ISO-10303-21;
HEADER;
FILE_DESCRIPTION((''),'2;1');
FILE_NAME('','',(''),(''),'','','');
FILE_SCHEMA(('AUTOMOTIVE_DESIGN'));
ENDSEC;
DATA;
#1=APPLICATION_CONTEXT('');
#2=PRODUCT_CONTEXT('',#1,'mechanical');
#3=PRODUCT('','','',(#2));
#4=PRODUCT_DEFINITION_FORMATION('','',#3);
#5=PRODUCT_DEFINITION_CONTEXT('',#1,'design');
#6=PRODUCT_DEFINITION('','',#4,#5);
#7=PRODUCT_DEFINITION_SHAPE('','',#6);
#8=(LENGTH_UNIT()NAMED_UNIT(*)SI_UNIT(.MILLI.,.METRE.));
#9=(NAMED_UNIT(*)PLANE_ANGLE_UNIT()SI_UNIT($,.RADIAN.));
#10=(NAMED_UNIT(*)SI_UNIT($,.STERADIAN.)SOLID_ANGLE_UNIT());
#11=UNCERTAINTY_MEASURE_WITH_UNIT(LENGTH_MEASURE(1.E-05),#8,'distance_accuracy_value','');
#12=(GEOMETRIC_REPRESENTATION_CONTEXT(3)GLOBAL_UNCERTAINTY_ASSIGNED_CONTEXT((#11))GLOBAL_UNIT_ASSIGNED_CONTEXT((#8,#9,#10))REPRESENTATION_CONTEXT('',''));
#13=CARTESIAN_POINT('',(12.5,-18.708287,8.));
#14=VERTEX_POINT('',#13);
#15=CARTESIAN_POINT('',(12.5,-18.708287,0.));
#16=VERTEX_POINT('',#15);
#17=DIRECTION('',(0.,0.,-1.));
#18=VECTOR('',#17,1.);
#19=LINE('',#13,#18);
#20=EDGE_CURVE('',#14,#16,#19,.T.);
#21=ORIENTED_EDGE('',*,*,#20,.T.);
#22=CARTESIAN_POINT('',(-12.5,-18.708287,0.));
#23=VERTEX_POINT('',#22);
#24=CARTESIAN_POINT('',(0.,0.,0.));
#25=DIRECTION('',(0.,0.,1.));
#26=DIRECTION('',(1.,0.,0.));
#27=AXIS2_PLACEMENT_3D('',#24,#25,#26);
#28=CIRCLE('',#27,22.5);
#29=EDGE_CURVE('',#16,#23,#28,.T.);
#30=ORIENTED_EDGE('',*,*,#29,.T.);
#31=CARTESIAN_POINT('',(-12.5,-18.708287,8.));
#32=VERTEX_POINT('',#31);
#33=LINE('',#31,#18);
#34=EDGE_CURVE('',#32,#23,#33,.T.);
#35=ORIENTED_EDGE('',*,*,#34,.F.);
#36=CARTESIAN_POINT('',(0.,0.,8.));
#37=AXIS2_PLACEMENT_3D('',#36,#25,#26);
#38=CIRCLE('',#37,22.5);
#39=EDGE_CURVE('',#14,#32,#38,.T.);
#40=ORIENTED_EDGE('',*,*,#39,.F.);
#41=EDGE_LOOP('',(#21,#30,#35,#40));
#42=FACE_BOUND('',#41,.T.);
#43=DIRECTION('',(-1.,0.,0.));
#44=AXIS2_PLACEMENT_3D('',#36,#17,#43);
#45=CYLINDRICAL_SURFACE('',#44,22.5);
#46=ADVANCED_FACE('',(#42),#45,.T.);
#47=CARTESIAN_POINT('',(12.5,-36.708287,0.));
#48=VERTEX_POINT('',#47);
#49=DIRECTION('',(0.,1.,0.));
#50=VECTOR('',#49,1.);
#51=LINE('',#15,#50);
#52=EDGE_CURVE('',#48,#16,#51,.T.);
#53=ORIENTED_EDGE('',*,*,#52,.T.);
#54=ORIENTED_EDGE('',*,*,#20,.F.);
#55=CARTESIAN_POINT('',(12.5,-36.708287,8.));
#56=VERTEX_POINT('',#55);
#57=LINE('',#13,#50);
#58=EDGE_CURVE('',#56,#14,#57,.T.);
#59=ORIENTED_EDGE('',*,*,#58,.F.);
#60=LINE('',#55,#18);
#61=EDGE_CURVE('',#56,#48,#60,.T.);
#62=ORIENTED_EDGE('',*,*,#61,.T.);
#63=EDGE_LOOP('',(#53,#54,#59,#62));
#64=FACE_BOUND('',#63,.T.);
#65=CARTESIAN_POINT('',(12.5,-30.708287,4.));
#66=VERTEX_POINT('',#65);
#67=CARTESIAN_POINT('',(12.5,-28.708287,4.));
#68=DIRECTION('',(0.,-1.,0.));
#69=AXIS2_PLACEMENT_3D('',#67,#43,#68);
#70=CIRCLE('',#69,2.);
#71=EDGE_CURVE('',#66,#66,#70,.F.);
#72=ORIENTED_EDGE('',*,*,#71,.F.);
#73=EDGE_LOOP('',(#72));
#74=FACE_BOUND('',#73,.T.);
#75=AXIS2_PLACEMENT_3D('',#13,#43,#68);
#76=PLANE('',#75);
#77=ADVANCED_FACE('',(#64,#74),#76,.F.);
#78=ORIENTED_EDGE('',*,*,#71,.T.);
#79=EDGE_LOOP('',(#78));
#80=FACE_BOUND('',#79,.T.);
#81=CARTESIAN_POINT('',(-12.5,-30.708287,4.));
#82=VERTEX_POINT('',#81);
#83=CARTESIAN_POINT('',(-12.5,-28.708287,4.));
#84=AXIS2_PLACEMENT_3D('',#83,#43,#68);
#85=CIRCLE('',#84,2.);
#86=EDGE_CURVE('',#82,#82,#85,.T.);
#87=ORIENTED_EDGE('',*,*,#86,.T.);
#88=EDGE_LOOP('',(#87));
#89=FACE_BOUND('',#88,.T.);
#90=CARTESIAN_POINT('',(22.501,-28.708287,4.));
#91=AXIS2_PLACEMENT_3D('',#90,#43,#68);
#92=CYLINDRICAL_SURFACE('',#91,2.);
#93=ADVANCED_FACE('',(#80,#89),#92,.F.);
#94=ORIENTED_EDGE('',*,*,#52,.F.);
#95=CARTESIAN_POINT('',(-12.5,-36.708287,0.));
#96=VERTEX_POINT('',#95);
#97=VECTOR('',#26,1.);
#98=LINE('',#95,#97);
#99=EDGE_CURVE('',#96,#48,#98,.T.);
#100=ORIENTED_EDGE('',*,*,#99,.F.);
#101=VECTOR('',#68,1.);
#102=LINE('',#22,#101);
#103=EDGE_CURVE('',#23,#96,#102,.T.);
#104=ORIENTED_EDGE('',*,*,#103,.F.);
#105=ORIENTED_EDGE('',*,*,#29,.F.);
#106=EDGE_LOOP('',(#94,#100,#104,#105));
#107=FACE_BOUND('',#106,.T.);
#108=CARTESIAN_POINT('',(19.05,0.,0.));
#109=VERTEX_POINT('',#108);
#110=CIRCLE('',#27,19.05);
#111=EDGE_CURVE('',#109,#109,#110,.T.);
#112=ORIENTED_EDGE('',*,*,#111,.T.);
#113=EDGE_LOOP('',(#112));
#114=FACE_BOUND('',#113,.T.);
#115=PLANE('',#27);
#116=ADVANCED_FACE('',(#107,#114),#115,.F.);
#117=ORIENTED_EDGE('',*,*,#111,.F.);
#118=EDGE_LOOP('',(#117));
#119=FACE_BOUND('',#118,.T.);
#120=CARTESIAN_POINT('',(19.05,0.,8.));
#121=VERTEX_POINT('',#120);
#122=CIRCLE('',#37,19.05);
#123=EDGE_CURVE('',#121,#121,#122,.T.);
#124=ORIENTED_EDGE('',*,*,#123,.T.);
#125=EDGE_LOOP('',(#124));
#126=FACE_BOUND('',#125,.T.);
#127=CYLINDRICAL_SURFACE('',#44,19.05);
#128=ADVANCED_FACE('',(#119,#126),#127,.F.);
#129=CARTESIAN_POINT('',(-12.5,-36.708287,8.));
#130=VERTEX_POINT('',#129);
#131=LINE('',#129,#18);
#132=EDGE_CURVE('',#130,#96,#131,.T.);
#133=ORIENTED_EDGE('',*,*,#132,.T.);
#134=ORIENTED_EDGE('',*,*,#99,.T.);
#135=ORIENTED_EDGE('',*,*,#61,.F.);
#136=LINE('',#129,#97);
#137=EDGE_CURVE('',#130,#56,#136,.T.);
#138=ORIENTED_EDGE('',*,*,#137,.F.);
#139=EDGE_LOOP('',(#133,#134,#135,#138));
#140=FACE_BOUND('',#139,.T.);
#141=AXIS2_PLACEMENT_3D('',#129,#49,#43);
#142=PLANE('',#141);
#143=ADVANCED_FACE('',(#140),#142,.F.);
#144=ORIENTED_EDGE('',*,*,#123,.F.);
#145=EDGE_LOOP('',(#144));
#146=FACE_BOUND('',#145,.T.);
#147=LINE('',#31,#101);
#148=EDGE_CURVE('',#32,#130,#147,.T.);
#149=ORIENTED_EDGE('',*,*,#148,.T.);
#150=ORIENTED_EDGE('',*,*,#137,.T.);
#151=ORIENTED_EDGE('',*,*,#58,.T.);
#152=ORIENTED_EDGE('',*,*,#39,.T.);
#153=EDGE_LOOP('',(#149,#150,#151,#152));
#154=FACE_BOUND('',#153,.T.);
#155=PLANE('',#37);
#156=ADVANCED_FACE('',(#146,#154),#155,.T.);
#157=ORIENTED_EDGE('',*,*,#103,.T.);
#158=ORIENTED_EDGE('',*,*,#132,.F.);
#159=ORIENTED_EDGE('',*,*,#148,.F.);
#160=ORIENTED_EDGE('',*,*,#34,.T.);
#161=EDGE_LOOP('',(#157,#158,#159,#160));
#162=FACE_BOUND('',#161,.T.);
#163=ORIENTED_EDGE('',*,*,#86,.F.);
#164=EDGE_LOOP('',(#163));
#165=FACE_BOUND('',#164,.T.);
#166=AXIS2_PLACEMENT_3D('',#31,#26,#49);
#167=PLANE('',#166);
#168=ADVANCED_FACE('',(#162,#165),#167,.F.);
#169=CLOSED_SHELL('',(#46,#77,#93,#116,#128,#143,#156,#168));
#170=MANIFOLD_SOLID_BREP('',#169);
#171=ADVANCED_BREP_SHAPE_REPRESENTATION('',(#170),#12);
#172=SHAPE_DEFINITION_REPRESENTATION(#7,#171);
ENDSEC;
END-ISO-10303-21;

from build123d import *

# Parameters (mm, degrees)
SKETCH_1_R          = 19.05
EXTRUDE_1_DEPTH     = 8
CUT_EXTRUDE_1_REACH = 53.347
SKETCH_2_R          = 2


with BuildPart() as part:
    # 스케치1 → 보스-돌출1 (new body)
    with BuildSketch(Plane.XY):
        with BuildLine():
            Line((-12.5, -18.708286934), (-12.5, -36.708286934))
            Line((-12.5, -36.708286934), (12.5, -36.708286934))
            Line((12.5, -36.708286934), (12.5, -18.708286934))
            ThreePointArc((12.5, -18.708286934), (0, 22.5), (-12.5, -18.708286934))
        make_face()
        Circle(SKETCH_1_R, mode=Mode.SUBTRACT)
    extrude(amount=EXTRUDE_1_DEPTH)

    # 스케치2 → 컷-돌출1 (cut, up to next)
    with BuildSketch(Plane.ZY.offset(12.5), mode=Mode.PRIVATE) as cut_extrude_1_sk1:
        with Locations(Location((4, -28.708286934, 0), (0, 0, 270))):
            Circle(SKETCH_2_R)
    cut_extrude_1_tool1 = extrude(cut_extrude_1_sk1.sketch, amount=-CUT_EXTRUDE_1_REACH, mode=Mode.PRIVATE) & part.part
    add(cut_extrude_1_tool1.solids().sort_by_distance((-12.5, -28.708287, 4))[0], mode=Mode.SUBTRACT)


solid = part.part
